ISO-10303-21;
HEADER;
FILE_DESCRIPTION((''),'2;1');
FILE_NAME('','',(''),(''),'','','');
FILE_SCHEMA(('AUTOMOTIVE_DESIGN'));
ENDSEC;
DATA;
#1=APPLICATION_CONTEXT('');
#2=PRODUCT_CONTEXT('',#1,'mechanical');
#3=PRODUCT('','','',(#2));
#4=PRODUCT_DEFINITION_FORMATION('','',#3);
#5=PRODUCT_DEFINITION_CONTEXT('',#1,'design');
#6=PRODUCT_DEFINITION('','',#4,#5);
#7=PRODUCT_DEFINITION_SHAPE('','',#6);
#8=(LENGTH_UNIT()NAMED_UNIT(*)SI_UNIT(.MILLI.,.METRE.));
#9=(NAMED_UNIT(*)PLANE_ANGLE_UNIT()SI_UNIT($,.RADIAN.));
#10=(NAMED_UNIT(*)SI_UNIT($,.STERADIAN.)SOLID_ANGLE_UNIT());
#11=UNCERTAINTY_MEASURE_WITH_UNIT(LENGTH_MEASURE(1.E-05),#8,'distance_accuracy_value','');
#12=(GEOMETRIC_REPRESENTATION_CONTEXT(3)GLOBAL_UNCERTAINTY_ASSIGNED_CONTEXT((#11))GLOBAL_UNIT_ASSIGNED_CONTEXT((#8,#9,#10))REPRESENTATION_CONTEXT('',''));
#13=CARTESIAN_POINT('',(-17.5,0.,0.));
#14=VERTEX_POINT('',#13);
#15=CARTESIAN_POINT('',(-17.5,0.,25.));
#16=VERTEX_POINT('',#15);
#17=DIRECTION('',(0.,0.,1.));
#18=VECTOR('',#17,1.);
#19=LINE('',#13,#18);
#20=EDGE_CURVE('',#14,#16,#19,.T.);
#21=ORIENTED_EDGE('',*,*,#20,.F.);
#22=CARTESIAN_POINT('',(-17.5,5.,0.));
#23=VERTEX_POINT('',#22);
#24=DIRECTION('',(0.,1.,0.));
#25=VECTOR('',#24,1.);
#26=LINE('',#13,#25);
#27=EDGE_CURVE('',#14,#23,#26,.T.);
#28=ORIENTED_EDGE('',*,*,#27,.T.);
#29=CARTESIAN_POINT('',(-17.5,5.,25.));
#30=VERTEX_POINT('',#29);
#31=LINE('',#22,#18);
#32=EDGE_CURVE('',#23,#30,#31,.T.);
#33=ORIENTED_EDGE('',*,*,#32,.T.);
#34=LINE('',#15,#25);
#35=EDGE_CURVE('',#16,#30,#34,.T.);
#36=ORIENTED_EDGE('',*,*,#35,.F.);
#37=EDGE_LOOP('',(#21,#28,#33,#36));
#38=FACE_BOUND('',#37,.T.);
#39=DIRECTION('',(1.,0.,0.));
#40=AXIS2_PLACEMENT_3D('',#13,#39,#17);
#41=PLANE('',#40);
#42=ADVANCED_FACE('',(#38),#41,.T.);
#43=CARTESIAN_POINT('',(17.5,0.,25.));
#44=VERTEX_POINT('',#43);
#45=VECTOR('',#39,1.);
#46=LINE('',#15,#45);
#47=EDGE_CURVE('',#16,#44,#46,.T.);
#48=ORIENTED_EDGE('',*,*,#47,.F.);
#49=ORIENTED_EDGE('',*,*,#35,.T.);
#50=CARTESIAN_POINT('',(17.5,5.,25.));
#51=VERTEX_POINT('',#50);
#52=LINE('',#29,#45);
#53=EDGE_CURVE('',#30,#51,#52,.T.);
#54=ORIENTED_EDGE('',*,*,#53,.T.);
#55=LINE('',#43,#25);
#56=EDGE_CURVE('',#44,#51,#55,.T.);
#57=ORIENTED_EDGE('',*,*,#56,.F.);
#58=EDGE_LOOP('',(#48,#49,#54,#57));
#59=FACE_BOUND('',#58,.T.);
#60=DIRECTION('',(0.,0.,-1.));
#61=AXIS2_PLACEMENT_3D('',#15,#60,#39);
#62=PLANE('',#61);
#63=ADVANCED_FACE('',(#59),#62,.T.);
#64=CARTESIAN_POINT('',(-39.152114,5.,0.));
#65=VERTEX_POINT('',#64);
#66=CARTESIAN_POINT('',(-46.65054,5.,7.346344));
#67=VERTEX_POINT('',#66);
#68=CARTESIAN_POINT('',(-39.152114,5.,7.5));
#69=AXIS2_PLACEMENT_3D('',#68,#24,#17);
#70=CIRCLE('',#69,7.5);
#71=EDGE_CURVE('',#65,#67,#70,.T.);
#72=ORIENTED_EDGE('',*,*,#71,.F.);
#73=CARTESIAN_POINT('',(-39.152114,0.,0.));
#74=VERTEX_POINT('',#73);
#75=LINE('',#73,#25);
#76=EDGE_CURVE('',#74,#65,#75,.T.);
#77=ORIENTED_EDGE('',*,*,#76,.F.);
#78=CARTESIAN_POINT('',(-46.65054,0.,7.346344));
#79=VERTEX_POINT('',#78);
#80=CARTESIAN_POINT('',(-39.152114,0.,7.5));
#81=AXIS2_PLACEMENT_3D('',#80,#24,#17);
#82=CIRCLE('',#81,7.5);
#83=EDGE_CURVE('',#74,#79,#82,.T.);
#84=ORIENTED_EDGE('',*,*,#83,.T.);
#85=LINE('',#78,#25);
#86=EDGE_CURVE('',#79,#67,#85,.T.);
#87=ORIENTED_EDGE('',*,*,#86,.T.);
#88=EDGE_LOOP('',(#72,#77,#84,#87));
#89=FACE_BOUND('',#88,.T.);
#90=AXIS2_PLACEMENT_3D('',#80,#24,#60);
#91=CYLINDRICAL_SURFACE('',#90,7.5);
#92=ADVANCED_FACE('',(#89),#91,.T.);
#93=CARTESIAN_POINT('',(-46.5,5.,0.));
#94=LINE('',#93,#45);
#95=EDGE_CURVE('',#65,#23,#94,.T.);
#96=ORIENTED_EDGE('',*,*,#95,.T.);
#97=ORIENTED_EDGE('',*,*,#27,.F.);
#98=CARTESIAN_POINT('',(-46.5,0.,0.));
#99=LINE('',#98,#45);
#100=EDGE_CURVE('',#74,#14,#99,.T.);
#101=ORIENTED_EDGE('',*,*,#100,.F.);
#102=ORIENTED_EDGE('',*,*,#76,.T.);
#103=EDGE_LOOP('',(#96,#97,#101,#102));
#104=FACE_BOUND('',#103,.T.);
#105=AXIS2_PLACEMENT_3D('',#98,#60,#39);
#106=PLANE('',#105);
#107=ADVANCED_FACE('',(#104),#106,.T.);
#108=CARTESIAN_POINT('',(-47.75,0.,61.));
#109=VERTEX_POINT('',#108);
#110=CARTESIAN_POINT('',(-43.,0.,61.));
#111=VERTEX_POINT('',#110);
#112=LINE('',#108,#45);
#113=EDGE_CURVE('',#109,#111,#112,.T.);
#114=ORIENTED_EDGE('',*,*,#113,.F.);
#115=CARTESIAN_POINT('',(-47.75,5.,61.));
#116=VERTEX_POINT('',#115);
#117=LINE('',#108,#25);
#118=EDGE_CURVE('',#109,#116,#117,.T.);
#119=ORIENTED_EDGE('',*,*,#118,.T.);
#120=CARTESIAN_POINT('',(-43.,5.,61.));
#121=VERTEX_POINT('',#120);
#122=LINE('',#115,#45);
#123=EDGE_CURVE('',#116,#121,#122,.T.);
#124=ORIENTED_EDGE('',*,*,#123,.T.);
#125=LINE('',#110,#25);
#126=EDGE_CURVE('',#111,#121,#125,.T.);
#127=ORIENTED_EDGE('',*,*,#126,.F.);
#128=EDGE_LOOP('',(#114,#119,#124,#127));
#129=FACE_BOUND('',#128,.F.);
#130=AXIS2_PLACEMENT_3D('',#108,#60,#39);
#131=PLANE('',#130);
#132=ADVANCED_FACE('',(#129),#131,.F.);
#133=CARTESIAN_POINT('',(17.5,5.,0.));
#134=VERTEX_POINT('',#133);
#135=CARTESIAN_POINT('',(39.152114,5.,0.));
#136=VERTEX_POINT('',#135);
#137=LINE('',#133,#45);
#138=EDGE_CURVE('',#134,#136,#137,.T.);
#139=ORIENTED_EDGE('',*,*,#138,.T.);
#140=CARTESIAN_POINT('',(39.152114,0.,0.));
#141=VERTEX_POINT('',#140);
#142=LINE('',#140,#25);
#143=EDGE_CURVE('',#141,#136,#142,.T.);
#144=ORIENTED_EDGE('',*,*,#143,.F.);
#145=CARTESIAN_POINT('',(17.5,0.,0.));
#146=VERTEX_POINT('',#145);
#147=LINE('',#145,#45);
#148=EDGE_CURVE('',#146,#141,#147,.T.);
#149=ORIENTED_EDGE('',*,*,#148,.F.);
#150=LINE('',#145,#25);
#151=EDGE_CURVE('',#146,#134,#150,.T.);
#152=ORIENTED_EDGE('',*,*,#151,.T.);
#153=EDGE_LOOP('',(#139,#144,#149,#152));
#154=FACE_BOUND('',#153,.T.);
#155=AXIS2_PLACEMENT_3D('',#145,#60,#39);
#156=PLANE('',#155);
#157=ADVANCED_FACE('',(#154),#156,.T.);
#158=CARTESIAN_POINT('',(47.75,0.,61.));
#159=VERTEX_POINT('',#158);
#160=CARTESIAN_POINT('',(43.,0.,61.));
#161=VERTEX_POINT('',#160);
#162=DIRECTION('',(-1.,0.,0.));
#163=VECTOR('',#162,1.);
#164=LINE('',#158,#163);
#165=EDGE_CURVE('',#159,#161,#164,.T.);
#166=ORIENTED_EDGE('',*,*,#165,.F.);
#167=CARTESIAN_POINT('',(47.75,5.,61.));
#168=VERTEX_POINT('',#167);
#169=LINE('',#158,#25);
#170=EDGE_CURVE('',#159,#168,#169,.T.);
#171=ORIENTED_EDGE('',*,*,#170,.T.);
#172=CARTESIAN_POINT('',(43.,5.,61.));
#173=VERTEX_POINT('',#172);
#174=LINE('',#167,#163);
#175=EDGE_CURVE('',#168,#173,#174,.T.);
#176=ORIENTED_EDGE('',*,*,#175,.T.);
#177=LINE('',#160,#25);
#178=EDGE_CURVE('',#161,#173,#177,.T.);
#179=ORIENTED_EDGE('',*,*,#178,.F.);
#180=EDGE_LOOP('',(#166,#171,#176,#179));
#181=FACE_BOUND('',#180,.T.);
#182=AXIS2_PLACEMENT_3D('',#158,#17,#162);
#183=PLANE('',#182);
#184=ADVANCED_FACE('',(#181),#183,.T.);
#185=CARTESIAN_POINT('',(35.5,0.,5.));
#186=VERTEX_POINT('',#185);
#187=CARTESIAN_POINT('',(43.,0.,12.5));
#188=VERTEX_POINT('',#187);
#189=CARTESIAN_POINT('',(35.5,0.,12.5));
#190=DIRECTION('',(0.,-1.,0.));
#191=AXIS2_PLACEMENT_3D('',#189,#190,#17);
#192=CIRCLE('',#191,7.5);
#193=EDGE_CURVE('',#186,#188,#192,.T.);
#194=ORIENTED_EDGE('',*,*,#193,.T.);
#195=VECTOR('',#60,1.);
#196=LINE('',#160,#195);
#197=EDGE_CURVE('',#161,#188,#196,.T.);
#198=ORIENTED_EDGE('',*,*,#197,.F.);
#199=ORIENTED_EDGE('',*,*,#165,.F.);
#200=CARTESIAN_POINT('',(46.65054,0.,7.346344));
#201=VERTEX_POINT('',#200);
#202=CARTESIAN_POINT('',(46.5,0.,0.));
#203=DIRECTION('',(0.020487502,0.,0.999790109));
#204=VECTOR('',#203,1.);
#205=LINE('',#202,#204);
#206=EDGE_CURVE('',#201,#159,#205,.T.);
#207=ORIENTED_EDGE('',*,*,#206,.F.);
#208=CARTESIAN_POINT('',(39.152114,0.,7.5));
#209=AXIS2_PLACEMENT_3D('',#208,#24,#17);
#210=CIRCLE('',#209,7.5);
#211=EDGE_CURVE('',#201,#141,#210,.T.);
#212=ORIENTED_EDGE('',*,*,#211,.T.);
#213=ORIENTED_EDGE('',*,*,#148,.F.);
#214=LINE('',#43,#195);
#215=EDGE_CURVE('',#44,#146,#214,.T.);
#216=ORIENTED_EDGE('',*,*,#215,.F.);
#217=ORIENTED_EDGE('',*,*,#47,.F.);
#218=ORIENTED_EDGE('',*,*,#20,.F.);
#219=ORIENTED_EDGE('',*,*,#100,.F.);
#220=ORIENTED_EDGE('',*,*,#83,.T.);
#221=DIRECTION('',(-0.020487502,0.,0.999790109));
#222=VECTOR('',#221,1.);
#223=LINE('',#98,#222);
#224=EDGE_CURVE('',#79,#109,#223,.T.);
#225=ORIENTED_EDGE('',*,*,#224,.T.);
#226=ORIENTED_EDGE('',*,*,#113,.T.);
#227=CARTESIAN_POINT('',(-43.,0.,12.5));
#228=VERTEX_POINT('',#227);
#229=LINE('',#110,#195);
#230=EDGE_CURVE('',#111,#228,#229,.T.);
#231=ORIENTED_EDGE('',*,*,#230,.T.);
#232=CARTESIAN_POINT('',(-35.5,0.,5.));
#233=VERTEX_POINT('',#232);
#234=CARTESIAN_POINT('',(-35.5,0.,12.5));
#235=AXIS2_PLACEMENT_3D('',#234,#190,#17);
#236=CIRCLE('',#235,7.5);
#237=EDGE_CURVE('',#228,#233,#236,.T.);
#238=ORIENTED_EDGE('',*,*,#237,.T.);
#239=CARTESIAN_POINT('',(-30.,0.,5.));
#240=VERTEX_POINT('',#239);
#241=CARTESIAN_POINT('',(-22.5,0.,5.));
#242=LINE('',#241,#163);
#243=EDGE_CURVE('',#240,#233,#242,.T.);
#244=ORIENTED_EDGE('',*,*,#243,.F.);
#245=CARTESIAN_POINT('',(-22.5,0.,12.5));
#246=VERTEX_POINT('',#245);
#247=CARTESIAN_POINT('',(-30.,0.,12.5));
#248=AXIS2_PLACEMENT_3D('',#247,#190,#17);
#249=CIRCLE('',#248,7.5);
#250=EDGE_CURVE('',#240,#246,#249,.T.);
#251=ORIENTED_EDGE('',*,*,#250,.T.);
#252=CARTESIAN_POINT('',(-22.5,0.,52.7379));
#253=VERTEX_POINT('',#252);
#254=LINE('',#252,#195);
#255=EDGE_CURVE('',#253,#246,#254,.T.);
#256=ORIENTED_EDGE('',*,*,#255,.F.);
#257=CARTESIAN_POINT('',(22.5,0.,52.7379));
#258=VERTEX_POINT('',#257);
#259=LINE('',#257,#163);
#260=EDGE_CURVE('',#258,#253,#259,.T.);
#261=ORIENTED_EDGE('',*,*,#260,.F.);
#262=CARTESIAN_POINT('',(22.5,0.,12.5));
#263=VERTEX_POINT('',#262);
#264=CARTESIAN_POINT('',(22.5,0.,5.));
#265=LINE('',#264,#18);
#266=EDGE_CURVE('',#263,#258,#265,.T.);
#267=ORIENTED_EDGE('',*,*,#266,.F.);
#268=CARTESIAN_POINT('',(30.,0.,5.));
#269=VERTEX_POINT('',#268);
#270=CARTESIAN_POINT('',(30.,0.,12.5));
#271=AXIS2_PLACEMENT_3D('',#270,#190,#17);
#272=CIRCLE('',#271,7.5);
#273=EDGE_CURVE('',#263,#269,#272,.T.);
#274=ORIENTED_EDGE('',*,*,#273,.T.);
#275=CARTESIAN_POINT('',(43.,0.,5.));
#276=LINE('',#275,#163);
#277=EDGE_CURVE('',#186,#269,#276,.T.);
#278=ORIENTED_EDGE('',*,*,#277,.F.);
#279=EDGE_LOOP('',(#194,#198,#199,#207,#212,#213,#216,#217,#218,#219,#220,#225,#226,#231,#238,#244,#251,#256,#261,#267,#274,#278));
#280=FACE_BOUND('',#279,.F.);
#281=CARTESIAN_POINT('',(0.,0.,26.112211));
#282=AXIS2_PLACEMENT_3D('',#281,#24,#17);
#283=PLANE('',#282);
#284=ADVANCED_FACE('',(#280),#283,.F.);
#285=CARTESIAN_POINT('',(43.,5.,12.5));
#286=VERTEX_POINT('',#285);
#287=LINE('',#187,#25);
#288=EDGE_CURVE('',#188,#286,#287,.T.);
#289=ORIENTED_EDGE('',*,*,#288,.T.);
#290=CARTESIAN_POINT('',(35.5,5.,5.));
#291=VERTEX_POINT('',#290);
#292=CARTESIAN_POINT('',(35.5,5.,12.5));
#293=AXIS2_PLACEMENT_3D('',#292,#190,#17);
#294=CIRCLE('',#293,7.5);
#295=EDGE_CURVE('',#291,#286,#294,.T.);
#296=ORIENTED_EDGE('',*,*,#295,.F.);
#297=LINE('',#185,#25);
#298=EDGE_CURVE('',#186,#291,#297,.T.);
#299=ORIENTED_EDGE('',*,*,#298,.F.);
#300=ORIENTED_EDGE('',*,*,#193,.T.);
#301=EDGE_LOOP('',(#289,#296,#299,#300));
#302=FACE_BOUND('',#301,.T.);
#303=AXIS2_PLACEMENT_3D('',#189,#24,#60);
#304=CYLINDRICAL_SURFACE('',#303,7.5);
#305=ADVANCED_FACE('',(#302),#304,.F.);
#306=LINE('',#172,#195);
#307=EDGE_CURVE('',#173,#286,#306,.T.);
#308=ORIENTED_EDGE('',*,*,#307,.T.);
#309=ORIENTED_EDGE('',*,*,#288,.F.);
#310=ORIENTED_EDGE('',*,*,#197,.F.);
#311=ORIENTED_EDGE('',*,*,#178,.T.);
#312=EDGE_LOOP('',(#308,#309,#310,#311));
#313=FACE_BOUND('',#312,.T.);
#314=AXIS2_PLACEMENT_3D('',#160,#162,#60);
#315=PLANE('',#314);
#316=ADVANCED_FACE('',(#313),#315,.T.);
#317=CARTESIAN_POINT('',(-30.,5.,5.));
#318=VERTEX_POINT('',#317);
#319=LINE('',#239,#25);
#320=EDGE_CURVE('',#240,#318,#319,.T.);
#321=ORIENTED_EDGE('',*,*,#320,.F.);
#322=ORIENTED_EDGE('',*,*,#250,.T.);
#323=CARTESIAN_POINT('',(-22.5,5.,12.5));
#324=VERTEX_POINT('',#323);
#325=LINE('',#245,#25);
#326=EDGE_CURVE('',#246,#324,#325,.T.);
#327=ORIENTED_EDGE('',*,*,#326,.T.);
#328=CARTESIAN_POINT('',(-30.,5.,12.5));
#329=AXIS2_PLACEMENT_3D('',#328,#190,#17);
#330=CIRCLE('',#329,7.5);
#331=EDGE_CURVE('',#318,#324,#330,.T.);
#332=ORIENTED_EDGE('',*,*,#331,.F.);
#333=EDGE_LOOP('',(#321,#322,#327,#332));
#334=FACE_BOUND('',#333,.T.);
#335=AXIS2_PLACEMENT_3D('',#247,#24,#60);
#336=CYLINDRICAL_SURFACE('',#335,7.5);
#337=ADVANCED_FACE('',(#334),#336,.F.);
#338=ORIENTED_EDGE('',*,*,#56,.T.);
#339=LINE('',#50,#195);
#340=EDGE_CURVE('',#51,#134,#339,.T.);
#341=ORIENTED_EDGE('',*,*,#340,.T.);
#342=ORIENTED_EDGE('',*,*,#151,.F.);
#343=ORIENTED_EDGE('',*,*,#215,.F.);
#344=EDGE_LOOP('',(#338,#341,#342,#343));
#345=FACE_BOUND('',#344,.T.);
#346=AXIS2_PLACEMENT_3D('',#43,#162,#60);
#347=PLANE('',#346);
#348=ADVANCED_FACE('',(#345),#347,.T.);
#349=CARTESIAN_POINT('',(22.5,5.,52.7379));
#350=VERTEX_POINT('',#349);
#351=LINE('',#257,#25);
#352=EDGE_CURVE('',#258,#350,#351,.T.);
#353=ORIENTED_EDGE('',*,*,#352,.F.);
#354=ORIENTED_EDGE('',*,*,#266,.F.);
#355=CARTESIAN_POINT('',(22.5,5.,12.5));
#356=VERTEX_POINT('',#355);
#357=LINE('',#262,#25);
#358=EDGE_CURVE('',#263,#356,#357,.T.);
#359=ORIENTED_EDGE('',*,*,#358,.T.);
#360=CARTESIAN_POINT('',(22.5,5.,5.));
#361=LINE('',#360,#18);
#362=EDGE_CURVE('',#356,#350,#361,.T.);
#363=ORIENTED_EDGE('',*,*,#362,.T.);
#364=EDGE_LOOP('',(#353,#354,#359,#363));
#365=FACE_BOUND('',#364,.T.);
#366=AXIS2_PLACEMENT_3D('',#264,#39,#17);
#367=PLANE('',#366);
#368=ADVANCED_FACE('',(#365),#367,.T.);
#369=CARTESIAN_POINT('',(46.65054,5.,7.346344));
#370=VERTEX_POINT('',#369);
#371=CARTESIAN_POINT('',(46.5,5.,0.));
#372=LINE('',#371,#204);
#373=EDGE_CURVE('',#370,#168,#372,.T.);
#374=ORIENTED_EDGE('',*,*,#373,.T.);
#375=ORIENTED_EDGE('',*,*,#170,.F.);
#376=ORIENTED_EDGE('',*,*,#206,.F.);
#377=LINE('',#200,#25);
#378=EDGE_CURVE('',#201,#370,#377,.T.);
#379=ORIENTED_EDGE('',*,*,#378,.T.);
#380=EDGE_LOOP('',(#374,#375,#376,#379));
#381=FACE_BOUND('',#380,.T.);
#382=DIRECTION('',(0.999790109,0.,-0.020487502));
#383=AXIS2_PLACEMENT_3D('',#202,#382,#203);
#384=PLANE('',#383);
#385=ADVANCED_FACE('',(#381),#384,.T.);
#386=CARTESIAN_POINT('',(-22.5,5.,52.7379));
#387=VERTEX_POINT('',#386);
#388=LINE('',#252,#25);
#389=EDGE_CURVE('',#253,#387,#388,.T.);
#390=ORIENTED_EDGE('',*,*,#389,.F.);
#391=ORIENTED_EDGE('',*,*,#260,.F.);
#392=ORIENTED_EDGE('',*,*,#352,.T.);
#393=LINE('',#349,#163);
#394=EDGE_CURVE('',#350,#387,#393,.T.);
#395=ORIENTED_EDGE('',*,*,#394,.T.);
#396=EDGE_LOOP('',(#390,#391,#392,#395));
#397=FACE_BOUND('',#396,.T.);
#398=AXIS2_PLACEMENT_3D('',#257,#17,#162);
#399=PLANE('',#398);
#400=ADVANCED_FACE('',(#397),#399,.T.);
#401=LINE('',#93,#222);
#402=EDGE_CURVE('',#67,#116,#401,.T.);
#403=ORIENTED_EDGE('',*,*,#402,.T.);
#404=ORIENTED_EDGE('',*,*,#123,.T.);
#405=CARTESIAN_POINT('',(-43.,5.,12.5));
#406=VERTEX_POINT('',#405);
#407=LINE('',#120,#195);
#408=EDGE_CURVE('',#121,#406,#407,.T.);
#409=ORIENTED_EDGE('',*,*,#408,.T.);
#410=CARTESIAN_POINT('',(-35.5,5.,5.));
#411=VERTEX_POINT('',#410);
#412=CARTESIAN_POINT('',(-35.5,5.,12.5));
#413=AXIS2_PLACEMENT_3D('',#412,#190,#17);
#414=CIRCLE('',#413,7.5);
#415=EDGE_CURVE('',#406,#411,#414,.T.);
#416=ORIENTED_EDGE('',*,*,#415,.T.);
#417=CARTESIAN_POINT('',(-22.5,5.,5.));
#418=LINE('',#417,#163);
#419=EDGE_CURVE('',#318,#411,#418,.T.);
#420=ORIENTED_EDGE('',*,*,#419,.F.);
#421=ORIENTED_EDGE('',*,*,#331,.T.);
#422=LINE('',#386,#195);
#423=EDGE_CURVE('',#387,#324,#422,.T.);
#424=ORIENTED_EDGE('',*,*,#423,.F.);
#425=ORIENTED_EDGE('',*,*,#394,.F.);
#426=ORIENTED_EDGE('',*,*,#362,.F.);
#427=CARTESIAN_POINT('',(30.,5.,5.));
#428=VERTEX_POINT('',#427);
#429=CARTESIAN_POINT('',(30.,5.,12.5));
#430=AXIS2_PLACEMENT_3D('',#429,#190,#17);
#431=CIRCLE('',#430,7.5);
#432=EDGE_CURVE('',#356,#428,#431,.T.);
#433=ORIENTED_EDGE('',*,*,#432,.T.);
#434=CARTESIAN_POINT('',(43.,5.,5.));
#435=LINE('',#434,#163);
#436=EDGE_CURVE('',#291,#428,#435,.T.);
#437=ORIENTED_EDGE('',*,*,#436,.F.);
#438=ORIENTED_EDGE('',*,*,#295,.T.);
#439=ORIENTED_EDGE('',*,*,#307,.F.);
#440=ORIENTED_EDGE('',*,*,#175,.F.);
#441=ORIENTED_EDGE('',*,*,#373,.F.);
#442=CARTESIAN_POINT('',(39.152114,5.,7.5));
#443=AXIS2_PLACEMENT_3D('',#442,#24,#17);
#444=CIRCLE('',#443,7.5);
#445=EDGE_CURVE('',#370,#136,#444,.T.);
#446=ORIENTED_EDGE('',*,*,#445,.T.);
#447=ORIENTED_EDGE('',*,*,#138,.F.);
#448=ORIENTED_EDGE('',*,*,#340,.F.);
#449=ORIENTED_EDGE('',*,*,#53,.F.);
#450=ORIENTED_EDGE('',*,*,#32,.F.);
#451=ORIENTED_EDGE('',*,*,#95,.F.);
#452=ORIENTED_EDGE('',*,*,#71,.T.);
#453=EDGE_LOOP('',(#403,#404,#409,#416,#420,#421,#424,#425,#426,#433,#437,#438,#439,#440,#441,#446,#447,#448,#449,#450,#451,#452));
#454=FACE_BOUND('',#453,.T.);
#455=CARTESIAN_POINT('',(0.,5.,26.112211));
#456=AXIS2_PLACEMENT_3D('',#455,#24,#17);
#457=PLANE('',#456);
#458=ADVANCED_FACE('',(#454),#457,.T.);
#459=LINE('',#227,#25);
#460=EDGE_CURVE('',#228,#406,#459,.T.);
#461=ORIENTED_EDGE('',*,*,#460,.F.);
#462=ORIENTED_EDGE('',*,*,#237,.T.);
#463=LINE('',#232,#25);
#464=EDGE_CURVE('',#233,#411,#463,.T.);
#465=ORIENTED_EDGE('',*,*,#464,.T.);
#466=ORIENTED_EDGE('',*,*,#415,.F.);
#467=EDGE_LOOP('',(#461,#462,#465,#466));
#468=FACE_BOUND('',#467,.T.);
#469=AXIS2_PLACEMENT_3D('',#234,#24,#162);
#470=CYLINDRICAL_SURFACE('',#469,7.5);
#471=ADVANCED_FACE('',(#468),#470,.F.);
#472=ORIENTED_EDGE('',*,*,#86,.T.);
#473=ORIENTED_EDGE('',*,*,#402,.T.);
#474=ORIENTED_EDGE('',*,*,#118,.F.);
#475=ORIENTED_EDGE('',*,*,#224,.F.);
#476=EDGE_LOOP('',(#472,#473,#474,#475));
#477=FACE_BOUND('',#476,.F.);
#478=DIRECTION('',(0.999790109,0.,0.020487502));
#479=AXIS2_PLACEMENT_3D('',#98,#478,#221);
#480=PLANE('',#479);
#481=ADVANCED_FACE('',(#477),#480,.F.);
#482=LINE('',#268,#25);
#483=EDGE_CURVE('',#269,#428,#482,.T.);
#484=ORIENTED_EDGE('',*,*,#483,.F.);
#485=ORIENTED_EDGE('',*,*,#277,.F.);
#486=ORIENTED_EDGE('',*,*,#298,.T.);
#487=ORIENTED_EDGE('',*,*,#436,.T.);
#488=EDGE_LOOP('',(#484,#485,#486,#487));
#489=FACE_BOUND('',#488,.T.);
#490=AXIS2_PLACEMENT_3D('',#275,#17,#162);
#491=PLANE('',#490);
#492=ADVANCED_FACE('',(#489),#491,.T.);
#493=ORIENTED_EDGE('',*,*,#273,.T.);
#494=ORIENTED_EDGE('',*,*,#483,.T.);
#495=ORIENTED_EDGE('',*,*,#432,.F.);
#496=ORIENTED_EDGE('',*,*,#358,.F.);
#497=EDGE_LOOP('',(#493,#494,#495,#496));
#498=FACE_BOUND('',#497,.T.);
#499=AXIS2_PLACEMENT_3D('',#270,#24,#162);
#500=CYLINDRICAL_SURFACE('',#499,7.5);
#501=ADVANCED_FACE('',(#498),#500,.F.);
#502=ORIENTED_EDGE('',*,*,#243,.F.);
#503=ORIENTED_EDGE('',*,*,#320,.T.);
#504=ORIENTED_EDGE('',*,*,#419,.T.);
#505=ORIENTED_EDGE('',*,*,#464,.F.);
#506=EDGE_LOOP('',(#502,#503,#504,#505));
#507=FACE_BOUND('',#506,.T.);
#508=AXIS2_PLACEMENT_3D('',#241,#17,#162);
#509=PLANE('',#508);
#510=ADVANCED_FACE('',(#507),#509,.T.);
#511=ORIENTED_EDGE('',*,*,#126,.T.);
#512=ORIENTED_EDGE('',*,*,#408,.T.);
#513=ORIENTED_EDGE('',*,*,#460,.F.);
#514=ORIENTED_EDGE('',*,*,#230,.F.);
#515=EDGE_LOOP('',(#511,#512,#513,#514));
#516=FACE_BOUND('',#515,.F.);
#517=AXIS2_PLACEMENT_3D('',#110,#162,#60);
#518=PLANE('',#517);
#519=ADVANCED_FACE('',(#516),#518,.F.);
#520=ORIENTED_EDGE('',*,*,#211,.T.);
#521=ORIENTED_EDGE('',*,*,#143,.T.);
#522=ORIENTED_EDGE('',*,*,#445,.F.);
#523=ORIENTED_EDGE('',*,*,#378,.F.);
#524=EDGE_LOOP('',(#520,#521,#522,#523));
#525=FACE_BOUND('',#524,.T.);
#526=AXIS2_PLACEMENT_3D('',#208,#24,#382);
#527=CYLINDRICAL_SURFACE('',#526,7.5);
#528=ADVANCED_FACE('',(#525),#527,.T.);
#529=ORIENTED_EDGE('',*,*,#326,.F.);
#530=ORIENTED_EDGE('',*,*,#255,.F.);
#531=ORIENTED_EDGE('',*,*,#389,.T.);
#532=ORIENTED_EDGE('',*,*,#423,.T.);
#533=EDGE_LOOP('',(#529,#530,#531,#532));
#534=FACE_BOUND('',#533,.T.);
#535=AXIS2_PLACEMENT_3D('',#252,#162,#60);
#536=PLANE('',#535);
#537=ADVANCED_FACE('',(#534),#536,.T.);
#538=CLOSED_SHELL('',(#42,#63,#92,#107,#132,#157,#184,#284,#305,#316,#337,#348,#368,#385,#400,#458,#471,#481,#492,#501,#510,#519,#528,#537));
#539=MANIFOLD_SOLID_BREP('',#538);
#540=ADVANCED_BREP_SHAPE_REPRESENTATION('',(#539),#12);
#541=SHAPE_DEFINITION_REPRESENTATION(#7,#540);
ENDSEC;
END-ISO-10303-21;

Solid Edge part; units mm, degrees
sketch "Sketch1" plane through (0, 0, 0) normal (0, -1, 0) x (1, 0, 0)
  line L0 (-43, 61) -> (-43, 5)
  line L1 (-22.5, 5) -> (-43, 5)
  line L2 (-22.5, 52.7379) -> (-22.5, 5)
  line L3 (22.5, 52.7379) -> (-22.5, 52.7379)
  line L4 (22.5, 5) -> (22.5, 52.7379)
  line L5 (43, 5) -> (22.5, 5)
  line L6 (43, 61) -> (43, 5)
  line L7 (47.75, 61) -> (43, 61)
  line L8 (46.5, 0) -> (47.75, 61)
  line L9 (17.5, 0) -> (46.5, 0)
  line L10 (17.5, 25) -> (17.5, 0)
  line L11 (-17.5, 25) -> (17.5, 25)
  line L12 (-17.5, 0) -> (-17.5, 25)
  line L13 (-46.5, 0) -> (-17.5, 0)
  line L14 (-46.5, 0) -> (-47.75, 61)
  line L15 (-47.75, 61) -> (-43, 61)
extrude "Protrusion1" add sketch "Sketch1" against normal blind 5
fillet "Round_1" radius 7.5 6 edges at (-46.5, 2.5, 0) (46.5, 2.5, 0) (43, 2.5, 5) (-43, 2.5, 5) (-22.5, 2.5, 5) (22.5, 2.5, 5)
